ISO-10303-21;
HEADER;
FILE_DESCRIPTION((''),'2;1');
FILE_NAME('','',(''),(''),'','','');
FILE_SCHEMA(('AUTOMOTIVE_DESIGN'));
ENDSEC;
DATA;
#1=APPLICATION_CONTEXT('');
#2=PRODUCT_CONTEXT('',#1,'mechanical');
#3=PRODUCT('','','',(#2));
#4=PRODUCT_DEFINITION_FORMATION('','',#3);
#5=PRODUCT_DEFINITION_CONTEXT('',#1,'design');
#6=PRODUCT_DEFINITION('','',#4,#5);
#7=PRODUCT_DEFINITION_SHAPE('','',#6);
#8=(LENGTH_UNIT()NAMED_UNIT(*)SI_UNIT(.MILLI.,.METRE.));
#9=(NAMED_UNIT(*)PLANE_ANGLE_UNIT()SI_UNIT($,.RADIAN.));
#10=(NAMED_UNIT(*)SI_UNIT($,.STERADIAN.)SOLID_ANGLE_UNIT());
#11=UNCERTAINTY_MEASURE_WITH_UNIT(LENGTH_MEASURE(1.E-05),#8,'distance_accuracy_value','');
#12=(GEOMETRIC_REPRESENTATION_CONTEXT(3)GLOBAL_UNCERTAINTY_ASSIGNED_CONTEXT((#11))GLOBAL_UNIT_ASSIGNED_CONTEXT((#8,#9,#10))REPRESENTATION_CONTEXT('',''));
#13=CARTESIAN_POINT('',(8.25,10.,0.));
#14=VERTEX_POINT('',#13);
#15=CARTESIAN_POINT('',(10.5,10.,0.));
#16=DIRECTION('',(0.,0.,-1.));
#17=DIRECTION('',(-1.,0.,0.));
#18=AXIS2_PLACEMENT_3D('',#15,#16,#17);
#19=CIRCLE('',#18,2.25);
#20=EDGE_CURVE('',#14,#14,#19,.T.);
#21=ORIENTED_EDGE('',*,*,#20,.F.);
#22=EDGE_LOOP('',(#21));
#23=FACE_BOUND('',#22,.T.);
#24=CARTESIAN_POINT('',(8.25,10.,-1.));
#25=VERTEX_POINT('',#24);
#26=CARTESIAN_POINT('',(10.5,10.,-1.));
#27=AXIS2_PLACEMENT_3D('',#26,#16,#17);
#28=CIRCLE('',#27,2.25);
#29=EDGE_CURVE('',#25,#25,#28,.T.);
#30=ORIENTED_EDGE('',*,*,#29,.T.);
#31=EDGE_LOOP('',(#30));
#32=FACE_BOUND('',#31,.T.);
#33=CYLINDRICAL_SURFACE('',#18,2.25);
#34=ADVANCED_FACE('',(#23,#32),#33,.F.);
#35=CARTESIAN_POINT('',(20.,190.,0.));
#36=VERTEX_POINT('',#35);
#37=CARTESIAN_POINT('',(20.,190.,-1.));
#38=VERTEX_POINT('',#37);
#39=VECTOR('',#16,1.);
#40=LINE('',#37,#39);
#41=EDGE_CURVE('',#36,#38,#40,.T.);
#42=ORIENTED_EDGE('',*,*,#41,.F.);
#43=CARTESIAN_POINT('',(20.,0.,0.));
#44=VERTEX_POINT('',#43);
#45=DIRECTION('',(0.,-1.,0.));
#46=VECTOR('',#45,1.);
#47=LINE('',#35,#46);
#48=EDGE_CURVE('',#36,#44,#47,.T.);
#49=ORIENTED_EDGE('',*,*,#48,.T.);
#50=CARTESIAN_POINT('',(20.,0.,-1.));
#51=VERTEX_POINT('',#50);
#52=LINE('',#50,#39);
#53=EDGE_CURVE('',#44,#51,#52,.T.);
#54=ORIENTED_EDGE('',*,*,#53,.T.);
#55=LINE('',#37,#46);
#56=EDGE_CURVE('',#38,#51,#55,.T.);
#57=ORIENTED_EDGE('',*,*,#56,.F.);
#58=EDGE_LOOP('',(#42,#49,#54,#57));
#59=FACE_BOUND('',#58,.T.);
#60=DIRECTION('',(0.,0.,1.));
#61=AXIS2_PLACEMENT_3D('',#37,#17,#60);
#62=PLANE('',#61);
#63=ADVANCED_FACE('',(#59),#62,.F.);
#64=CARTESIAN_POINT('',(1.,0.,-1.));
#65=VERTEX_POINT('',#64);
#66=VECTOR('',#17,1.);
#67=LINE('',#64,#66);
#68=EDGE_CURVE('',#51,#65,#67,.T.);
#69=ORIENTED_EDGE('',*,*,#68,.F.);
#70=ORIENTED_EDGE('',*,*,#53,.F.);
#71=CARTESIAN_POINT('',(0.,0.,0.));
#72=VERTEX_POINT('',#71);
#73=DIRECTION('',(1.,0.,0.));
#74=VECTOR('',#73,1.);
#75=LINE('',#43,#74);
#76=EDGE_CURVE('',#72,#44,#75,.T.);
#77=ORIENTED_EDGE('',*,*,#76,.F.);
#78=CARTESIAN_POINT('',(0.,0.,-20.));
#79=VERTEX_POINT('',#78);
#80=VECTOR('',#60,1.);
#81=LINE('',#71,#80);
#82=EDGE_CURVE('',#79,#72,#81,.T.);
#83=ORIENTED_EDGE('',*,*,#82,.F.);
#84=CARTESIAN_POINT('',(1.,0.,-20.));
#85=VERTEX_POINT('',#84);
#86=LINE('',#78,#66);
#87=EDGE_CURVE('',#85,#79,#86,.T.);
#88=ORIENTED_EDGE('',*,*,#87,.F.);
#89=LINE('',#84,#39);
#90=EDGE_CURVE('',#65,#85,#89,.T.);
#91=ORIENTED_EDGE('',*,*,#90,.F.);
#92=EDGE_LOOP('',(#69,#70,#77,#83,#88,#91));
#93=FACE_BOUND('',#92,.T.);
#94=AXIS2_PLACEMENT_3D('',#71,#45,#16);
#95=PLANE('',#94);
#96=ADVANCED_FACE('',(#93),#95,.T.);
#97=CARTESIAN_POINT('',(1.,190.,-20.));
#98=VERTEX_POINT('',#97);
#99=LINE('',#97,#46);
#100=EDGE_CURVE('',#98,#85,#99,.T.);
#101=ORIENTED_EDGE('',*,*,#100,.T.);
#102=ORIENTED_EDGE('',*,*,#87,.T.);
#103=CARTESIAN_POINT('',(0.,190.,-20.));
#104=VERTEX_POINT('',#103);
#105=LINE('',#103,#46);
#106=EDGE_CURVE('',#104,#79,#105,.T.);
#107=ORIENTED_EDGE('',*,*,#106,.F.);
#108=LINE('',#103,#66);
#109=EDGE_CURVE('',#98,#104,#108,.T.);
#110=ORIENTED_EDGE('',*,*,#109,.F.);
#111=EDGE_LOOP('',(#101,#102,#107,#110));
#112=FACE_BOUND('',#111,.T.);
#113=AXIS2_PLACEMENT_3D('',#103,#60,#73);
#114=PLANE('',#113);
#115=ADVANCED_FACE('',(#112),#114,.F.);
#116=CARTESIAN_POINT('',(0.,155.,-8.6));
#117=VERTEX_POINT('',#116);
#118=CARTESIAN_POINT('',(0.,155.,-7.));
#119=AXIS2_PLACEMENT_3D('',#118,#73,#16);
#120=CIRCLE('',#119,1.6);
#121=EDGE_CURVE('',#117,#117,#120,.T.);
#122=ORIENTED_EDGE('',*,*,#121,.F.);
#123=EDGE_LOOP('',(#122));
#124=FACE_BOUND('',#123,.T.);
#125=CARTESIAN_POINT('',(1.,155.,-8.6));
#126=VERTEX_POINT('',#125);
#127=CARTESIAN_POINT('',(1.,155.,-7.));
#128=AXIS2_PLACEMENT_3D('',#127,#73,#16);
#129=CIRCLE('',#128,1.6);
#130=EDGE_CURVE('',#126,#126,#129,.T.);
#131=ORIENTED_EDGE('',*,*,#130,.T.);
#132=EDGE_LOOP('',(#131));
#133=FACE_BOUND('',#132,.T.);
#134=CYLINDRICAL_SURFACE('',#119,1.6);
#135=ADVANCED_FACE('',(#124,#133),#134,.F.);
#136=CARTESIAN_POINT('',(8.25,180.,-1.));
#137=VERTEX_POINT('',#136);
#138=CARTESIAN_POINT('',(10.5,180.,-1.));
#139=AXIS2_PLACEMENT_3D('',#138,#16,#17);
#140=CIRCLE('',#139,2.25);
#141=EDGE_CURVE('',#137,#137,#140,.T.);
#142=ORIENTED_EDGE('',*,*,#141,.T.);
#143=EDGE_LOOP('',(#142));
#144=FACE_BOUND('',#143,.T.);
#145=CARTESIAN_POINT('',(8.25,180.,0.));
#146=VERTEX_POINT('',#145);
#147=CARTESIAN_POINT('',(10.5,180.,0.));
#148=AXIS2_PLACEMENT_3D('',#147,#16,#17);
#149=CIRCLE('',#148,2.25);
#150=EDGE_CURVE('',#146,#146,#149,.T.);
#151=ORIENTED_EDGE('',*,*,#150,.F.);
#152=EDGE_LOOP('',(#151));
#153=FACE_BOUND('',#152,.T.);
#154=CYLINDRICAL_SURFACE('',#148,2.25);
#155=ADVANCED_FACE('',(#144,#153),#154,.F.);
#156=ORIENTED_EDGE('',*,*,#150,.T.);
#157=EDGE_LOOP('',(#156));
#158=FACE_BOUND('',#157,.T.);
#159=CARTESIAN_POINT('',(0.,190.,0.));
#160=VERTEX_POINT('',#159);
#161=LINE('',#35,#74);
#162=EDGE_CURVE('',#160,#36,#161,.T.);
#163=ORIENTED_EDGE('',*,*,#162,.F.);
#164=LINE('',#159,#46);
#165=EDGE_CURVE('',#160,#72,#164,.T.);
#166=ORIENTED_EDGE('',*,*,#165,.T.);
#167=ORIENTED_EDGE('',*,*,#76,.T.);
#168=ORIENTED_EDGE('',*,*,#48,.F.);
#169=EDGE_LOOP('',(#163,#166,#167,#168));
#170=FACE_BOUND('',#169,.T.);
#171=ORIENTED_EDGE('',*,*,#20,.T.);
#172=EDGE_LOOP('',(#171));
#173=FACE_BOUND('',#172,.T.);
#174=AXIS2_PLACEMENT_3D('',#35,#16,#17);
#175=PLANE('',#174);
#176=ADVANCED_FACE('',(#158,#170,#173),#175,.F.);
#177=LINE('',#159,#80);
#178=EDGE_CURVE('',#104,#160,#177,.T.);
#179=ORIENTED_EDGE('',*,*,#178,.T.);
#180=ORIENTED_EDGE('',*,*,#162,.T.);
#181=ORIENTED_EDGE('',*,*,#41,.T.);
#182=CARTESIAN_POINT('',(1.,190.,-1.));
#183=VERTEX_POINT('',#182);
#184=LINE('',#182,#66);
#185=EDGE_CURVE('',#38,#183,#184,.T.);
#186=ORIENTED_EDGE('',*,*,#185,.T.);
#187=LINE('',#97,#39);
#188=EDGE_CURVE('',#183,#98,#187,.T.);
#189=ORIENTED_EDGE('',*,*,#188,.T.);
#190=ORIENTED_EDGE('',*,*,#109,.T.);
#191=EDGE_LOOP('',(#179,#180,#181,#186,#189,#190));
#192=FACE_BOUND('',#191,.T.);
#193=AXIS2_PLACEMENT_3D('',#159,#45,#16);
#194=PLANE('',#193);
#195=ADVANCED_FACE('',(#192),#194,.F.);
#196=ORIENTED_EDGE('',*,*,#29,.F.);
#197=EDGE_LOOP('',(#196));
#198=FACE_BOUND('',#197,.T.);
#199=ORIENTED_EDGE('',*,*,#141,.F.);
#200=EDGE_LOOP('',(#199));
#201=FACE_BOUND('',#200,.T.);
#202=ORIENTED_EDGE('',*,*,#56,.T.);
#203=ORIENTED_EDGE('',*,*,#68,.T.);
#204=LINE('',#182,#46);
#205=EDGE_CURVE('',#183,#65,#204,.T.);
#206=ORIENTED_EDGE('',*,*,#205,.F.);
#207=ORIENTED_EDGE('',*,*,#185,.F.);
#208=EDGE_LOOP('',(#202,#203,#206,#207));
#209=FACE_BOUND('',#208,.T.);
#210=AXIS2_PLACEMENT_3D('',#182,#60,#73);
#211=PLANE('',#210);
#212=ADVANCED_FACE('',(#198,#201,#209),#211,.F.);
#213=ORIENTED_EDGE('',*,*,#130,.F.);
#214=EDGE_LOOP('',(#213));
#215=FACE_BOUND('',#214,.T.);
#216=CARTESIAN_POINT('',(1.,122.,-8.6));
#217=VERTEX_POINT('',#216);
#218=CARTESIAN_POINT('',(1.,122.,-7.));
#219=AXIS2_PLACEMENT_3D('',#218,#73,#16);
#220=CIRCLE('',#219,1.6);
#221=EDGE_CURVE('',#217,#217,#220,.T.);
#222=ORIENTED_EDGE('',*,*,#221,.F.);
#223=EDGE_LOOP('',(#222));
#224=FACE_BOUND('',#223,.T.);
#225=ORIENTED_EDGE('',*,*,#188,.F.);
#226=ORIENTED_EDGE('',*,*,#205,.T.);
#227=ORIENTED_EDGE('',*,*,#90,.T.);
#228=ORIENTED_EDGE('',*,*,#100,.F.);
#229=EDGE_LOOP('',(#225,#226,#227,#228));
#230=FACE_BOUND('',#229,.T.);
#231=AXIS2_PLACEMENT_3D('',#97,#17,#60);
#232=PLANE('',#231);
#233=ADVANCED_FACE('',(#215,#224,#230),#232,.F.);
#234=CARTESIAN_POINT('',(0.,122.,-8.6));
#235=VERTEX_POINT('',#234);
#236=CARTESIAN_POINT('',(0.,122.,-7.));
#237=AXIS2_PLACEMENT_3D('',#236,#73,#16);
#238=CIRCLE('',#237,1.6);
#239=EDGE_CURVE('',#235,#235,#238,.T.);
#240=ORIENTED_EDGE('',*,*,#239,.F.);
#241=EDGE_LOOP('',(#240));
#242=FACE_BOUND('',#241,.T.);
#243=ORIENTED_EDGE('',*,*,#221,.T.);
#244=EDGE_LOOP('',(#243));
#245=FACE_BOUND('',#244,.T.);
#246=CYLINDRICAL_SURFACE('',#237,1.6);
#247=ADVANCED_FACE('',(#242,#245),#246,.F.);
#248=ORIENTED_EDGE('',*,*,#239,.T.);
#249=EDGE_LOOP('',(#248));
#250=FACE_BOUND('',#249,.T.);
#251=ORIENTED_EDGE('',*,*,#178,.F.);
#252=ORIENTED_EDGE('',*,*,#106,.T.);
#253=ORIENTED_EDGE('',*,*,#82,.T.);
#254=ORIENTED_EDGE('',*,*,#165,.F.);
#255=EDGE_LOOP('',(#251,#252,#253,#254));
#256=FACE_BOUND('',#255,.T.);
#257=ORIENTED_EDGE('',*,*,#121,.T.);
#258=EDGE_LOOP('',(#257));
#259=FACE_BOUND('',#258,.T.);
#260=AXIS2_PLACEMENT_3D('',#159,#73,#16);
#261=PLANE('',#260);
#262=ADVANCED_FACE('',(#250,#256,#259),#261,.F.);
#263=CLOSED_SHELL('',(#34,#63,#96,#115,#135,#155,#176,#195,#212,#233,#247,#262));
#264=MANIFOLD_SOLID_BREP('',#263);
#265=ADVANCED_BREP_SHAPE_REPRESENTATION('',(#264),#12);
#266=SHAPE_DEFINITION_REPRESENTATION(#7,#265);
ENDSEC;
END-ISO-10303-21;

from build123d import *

# Parameters (mm, degrees)
EXTRUDE_1_DEPTH     = 190
SKETCH_2_R          = 2.25
CUT_EXTRUDE_1_DEPTH = 2
SKETCH1_R           = 1.6
CUT_EXTRUDE1_DEPTH  = 2


with BuildPart() as part:
    # Эскиз1 → Бобышка-Вытянуть1 (new body)
    with BuildSketch(Plane(origin=(0, 0, 0), x_dir=(1, 0, 0), z_dir=(0, 1, 0))):
        Polygon((0, 0), (0, 20), (1, 20), (1, 1), (20, 1), (20, 0), align=None)
    extrude(amount=EXTRUDE_1_DEPTH)

    # Эскиз2 → Вырез-Вытянуть1 (cut, through all)
    with BuildSketch(Plane(origin=(0, 0, -1), x_dir=(-1, 0, 0), z_dir=(0, 0, -1))):
        with Locations((-10.5, 10)):
            Circle(SKETCH_2_R)
        with Locations((-10.5, 180)):
            Circle(SKETCH_2_R)
    extrude(amount=-CUT_EXTRUDE_1_DEPTH, mode=Mode.SUBTRACT)

    # Sketch1 → Cut-Extrude1 (cut, through all)
    with BuildSketch(Plane(origin=(1, 0, 0), x_dir=(0, 0, -1), z_dir=(1, 0, 0))):
        with Locations((7, 155)):
            Circle(SKETCH1_R)
        with Locations((7, 122)):
            Circle(SKETCH1_R)
    extrude(amount=-CUT_EXTRUDE1_DEPTH, mode=Mode.SUBTRACT)


solid = part.part
